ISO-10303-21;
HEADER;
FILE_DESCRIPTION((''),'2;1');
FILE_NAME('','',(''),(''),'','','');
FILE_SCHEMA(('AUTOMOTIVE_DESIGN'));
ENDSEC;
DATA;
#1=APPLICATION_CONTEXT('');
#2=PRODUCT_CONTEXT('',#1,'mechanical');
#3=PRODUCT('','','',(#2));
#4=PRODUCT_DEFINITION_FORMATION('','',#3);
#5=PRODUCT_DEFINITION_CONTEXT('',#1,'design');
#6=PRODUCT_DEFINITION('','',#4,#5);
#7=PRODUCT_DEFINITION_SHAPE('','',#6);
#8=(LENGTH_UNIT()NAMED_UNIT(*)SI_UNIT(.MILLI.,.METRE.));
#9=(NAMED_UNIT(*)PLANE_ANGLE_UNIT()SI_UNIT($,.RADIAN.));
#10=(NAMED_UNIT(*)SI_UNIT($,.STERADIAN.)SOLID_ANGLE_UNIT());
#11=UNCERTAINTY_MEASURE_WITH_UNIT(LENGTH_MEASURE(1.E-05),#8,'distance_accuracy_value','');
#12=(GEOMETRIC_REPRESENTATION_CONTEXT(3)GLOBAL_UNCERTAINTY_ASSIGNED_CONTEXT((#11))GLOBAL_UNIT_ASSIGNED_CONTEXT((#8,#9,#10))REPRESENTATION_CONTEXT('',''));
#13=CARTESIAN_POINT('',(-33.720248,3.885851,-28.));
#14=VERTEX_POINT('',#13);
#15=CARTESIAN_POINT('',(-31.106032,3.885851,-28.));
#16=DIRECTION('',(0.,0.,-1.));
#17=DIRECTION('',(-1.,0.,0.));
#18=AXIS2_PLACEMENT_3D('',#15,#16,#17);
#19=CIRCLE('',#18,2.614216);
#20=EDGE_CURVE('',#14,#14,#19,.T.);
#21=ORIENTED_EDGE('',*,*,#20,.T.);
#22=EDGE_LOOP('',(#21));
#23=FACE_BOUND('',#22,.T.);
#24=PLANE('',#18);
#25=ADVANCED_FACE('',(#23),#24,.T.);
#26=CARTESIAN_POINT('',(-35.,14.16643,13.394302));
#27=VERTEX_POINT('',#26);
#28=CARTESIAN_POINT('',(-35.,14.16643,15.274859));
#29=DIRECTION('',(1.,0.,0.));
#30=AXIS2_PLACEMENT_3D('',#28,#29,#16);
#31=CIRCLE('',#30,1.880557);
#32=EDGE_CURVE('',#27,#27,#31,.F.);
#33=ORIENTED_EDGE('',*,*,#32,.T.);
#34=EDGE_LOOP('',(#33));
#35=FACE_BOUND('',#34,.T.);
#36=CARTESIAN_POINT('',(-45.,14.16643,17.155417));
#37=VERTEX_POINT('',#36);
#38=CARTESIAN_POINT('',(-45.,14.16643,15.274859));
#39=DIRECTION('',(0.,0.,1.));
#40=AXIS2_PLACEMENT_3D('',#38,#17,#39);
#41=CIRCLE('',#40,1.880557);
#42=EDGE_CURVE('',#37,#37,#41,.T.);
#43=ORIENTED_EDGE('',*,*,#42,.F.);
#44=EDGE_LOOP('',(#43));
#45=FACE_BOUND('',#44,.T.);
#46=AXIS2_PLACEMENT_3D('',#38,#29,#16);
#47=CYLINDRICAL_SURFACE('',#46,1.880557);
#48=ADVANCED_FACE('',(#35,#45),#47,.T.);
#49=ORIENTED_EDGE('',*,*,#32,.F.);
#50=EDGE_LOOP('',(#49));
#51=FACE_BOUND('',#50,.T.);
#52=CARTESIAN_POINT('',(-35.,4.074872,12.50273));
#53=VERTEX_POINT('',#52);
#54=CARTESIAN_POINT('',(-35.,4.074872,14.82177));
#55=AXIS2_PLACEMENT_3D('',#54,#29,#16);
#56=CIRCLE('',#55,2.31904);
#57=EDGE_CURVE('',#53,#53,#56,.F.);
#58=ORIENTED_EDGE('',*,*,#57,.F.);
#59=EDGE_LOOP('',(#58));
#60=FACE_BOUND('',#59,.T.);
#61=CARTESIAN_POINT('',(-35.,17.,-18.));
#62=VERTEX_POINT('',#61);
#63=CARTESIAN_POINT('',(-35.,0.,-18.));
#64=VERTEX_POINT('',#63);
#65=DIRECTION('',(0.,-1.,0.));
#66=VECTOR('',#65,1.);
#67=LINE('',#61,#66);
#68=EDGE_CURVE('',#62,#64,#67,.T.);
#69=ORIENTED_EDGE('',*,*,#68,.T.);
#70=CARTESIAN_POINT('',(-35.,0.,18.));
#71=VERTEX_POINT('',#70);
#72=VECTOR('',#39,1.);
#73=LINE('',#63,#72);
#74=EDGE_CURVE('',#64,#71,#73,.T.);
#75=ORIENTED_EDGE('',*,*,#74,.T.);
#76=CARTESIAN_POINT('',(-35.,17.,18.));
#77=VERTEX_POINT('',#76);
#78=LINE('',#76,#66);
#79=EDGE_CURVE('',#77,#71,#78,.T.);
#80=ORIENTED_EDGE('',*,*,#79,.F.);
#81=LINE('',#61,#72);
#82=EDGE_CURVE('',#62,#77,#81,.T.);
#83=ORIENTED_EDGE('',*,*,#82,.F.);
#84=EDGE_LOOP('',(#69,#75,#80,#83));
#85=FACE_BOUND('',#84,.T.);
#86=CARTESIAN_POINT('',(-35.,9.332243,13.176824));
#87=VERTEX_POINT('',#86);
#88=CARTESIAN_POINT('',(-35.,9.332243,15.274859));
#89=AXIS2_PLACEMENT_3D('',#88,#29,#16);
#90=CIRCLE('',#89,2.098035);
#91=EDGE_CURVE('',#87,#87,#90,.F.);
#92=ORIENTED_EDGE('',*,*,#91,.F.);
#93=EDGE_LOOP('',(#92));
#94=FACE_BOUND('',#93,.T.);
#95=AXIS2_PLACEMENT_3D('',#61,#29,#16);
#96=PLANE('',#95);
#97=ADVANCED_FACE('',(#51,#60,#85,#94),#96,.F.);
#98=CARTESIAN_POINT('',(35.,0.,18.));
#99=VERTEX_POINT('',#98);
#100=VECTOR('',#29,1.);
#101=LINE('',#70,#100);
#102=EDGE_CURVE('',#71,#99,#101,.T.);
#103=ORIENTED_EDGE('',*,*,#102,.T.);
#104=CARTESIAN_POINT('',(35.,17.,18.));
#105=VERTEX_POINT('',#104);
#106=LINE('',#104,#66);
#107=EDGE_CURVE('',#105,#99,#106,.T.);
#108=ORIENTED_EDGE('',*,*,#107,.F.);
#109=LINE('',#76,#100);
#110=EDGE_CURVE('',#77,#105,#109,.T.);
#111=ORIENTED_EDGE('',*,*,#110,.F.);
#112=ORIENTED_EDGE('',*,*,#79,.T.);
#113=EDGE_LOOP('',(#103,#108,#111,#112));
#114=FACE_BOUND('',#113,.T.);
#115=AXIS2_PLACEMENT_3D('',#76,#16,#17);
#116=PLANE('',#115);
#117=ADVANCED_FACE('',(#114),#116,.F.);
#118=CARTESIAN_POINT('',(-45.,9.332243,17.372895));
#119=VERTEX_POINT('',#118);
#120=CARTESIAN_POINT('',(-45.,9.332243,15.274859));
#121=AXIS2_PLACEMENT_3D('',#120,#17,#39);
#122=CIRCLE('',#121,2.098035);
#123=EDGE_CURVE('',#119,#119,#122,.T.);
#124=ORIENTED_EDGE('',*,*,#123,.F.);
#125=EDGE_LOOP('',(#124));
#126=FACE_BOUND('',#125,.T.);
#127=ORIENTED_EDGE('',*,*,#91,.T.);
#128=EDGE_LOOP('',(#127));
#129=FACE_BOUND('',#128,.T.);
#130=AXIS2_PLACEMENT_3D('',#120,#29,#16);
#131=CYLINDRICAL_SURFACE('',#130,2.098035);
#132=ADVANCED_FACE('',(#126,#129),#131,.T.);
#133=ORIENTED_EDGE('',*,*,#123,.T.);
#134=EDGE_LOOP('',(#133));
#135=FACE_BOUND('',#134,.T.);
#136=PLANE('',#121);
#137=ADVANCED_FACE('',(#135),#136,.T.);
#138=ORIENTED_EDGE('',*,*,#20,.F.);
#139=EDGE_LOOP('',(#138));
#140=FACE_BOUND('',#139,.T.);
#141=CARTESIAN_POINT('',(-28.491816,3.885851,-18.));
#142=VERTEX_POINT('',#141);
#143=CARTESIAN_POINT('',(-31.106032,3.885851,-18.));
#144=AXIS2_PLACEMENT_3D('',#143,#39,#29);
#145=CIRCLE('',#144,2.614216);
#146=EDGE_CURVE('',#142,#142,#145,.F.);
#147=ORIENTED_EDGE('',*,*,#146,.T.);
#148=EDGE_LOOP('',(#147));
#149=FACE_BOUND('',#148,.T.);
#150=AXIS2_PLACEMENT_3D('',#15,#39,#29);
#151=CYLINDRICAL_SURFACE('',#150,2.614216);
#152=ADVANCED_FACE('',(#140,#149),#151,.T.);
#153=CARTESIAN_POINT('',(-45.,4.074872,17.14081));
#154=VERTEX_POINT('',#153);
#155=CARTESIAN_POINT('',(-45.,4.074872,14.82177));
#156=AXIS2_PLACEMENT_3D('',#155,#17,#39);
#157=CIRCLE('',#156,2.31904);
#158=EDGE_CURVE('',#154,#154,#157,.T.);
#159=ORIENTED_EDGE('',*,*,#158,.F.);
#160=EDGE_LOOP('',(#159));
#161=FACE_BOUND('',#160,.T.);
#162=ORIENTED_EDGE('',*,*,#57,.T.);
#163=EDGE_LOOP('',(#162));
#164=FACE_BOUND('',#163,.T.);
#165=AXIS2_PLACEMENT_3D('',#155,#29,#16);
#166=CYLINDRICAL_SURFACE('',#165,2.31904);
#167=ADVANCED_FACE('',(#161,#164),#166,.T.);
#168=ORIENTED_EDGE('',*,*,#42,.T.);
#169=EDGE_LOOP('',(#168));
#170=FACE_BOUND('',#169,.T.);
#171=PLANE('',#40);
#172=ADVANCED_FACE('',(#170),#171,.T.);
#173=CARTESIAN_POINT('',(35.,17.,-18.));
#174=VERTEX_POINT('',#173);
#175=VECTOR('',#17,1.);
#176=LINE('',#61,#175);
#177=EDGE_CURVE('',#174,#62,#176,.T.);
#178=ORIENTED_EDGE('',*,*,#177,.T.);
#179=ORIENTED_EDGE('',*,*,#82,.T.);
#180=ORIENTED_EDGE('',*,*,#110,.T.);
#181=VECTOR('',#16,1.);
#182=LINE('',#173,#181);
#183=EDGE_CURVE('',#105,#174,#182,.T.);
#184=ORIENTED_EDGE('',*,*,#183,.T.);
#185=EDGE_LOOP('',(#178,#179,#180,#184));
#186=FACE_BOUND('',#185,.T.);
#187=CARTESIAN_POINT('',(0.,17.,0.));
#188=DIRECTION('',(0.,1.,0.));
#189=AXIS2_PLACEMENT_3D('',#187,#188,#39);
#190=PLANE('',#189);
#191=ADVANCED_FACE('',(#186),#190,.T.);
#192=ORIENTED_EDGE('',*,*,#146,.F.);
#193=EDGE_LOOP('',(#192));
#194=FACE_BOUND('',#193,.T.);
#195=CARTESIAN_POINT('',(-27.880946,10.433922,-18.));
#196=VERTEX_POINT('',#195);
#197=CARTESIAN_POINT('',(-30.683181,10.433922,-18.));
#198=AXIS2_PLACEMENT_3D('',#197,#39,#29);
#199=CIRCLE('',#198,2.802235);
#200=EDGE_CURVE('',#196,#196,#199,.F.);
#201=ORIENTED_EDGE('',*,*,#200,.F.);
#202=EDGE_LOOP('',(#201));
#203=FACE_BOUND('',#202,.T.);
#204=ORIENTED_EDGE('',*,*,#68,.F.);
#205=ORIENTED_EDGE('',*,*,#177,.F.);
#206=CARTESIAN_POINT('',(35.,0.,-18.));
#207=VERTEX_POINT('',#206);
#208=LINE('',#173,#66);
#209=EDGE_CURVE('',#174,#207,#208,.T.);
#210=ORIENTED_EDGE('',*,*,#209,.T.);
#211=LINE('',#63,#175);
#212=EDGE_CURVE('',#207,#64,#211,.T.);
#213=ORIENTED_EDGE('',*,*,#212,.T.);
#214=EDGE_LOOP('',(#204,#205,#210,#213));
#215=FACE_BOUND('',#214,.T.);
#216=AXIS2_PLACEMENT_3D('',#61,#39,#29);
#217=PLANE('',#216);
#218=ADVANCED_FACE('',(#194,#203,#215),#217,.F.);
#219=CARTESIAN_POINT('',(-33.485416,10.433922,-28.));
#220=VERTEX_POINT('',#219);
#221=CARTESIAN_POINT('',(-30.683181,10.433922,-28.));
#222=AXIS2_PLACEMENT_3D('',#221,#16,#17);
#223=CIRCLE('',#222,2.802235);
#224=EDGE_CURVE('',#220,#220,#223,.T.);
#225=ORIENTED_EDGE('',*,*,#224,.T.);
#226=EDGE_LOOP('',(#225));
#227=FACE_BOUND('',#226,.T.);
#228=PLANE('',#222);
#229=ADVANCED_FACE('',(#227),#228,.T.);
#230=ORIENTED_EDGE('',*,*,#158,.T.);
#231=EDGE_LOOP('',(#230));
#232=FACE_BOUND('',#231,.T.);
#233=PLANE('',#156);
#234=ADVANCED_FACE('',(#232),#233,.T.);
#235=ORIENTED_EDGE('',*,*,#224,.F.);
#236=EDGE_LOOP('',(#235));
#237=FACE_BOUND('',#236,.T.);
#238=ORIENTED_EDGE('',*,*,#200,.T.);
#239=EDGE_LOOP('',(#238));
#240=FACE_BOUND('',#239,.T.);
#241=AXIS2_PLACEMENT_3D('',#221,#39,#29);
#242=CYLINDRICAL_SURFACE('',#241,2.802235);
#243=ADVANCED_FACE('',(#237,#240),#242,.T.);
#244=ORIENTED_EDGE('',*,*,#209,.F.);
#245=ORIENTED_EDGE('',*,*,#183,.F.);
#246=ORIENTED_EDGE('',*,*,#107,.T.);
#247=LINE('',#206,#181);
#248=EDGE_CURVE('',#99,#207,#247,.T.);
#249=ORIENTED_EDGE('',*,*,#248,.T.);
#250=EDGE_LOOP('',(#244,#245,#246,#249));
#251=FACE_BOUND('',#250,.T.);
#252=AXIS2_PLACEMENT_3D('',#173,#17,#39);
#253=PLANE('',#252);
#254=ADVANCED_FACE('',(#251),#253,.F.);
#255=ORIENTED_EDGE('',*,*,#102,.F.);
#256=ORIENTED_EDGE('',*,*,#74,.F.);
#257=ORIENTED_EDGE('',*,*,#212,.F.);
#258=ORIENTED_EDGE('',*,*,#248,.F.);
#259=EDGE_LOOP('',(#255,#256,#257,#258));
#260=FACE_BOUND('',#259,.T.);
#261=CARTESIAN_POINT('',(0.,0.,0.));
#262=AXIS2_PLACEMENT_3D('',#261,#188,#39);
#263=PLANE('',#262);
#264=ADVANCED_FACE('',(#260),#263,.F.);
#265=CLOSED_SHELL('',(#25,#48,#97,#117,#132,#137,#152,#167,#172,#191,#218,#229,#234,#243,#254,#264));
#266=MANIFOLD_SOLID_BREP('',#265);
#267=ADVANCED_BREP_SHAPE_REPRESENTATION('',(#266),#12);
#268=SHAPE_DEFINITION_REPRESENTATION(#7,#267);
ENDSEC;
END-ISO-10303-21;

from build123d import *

# Parameters (mm, degrees)
SKETCH3_W           = 70
SKETCH3_H           = 36
BOSS_EXTRUDE2_DEPTH = 17
SKETCH4_R           = 1.880557467
SKETCH4_R_2         = 2.098035393
SKETCH4_R_3         = 2.319039591
BOSS_EXTRUDE3_DEPTH = 10
SKETCH5_R           = 2.614216035
SKETCH5_R_2         = 2.802234852
BOSS_EXTRUDE4_DEPTH = 10


with BuildPart() as part:
    # Sketch3 → Boss-Extrude2 (new body)
    with BuildSketch(Plane(origin=(0, 0, 0), x_dir=(1, 0, 0), z_dir=(0, 1, 0))):
        Rectangle(SKETCH3_W, SKETCH3_H)
    extrude(amount=BOSS_EXTRUDE2_DEPTH)

    # Sketch4 → Boss-Extrude3 (add)
    with BuildSketch(Plane.ZY.offset(35)):
        with Locations(Location((15.274859304, 14.166430081, 0), (0, 0, 180))):
            Circle(SKETCH4_R)
        with Locations(Location((15.274859304, 9.332242636, 0), (0, 0, 180))):
            Circle(SKETCH4_R_2)
        with Locations(Location((14.82177003, 4.074871994, 0), (0, 0, 180))):
            Circle(SKETCH4_R_3)
    extrude(amount=BOSS_EXTRUDE3_DEPTH)

    # Sketch5 → Boss-Extrude4 (add)
    with BuildSketch(Plane(origin=(0, 0, -18), x_dir=(-1, 0, 0), z_dir=(0, 0, -1))):
        with Locations(Location((31.106031622, 3.885850759, 0), (0, 0, 180))):
            Circle(SKETCH5_R)
        with Locations(Location((30.683181336, 10.433921975, 0), (0, 0, 180))):
            Circle(SKETCH5_R_2)
    extrude(amount=BOSS_EXTRUDE4_DEPTH)


solid = part.part
